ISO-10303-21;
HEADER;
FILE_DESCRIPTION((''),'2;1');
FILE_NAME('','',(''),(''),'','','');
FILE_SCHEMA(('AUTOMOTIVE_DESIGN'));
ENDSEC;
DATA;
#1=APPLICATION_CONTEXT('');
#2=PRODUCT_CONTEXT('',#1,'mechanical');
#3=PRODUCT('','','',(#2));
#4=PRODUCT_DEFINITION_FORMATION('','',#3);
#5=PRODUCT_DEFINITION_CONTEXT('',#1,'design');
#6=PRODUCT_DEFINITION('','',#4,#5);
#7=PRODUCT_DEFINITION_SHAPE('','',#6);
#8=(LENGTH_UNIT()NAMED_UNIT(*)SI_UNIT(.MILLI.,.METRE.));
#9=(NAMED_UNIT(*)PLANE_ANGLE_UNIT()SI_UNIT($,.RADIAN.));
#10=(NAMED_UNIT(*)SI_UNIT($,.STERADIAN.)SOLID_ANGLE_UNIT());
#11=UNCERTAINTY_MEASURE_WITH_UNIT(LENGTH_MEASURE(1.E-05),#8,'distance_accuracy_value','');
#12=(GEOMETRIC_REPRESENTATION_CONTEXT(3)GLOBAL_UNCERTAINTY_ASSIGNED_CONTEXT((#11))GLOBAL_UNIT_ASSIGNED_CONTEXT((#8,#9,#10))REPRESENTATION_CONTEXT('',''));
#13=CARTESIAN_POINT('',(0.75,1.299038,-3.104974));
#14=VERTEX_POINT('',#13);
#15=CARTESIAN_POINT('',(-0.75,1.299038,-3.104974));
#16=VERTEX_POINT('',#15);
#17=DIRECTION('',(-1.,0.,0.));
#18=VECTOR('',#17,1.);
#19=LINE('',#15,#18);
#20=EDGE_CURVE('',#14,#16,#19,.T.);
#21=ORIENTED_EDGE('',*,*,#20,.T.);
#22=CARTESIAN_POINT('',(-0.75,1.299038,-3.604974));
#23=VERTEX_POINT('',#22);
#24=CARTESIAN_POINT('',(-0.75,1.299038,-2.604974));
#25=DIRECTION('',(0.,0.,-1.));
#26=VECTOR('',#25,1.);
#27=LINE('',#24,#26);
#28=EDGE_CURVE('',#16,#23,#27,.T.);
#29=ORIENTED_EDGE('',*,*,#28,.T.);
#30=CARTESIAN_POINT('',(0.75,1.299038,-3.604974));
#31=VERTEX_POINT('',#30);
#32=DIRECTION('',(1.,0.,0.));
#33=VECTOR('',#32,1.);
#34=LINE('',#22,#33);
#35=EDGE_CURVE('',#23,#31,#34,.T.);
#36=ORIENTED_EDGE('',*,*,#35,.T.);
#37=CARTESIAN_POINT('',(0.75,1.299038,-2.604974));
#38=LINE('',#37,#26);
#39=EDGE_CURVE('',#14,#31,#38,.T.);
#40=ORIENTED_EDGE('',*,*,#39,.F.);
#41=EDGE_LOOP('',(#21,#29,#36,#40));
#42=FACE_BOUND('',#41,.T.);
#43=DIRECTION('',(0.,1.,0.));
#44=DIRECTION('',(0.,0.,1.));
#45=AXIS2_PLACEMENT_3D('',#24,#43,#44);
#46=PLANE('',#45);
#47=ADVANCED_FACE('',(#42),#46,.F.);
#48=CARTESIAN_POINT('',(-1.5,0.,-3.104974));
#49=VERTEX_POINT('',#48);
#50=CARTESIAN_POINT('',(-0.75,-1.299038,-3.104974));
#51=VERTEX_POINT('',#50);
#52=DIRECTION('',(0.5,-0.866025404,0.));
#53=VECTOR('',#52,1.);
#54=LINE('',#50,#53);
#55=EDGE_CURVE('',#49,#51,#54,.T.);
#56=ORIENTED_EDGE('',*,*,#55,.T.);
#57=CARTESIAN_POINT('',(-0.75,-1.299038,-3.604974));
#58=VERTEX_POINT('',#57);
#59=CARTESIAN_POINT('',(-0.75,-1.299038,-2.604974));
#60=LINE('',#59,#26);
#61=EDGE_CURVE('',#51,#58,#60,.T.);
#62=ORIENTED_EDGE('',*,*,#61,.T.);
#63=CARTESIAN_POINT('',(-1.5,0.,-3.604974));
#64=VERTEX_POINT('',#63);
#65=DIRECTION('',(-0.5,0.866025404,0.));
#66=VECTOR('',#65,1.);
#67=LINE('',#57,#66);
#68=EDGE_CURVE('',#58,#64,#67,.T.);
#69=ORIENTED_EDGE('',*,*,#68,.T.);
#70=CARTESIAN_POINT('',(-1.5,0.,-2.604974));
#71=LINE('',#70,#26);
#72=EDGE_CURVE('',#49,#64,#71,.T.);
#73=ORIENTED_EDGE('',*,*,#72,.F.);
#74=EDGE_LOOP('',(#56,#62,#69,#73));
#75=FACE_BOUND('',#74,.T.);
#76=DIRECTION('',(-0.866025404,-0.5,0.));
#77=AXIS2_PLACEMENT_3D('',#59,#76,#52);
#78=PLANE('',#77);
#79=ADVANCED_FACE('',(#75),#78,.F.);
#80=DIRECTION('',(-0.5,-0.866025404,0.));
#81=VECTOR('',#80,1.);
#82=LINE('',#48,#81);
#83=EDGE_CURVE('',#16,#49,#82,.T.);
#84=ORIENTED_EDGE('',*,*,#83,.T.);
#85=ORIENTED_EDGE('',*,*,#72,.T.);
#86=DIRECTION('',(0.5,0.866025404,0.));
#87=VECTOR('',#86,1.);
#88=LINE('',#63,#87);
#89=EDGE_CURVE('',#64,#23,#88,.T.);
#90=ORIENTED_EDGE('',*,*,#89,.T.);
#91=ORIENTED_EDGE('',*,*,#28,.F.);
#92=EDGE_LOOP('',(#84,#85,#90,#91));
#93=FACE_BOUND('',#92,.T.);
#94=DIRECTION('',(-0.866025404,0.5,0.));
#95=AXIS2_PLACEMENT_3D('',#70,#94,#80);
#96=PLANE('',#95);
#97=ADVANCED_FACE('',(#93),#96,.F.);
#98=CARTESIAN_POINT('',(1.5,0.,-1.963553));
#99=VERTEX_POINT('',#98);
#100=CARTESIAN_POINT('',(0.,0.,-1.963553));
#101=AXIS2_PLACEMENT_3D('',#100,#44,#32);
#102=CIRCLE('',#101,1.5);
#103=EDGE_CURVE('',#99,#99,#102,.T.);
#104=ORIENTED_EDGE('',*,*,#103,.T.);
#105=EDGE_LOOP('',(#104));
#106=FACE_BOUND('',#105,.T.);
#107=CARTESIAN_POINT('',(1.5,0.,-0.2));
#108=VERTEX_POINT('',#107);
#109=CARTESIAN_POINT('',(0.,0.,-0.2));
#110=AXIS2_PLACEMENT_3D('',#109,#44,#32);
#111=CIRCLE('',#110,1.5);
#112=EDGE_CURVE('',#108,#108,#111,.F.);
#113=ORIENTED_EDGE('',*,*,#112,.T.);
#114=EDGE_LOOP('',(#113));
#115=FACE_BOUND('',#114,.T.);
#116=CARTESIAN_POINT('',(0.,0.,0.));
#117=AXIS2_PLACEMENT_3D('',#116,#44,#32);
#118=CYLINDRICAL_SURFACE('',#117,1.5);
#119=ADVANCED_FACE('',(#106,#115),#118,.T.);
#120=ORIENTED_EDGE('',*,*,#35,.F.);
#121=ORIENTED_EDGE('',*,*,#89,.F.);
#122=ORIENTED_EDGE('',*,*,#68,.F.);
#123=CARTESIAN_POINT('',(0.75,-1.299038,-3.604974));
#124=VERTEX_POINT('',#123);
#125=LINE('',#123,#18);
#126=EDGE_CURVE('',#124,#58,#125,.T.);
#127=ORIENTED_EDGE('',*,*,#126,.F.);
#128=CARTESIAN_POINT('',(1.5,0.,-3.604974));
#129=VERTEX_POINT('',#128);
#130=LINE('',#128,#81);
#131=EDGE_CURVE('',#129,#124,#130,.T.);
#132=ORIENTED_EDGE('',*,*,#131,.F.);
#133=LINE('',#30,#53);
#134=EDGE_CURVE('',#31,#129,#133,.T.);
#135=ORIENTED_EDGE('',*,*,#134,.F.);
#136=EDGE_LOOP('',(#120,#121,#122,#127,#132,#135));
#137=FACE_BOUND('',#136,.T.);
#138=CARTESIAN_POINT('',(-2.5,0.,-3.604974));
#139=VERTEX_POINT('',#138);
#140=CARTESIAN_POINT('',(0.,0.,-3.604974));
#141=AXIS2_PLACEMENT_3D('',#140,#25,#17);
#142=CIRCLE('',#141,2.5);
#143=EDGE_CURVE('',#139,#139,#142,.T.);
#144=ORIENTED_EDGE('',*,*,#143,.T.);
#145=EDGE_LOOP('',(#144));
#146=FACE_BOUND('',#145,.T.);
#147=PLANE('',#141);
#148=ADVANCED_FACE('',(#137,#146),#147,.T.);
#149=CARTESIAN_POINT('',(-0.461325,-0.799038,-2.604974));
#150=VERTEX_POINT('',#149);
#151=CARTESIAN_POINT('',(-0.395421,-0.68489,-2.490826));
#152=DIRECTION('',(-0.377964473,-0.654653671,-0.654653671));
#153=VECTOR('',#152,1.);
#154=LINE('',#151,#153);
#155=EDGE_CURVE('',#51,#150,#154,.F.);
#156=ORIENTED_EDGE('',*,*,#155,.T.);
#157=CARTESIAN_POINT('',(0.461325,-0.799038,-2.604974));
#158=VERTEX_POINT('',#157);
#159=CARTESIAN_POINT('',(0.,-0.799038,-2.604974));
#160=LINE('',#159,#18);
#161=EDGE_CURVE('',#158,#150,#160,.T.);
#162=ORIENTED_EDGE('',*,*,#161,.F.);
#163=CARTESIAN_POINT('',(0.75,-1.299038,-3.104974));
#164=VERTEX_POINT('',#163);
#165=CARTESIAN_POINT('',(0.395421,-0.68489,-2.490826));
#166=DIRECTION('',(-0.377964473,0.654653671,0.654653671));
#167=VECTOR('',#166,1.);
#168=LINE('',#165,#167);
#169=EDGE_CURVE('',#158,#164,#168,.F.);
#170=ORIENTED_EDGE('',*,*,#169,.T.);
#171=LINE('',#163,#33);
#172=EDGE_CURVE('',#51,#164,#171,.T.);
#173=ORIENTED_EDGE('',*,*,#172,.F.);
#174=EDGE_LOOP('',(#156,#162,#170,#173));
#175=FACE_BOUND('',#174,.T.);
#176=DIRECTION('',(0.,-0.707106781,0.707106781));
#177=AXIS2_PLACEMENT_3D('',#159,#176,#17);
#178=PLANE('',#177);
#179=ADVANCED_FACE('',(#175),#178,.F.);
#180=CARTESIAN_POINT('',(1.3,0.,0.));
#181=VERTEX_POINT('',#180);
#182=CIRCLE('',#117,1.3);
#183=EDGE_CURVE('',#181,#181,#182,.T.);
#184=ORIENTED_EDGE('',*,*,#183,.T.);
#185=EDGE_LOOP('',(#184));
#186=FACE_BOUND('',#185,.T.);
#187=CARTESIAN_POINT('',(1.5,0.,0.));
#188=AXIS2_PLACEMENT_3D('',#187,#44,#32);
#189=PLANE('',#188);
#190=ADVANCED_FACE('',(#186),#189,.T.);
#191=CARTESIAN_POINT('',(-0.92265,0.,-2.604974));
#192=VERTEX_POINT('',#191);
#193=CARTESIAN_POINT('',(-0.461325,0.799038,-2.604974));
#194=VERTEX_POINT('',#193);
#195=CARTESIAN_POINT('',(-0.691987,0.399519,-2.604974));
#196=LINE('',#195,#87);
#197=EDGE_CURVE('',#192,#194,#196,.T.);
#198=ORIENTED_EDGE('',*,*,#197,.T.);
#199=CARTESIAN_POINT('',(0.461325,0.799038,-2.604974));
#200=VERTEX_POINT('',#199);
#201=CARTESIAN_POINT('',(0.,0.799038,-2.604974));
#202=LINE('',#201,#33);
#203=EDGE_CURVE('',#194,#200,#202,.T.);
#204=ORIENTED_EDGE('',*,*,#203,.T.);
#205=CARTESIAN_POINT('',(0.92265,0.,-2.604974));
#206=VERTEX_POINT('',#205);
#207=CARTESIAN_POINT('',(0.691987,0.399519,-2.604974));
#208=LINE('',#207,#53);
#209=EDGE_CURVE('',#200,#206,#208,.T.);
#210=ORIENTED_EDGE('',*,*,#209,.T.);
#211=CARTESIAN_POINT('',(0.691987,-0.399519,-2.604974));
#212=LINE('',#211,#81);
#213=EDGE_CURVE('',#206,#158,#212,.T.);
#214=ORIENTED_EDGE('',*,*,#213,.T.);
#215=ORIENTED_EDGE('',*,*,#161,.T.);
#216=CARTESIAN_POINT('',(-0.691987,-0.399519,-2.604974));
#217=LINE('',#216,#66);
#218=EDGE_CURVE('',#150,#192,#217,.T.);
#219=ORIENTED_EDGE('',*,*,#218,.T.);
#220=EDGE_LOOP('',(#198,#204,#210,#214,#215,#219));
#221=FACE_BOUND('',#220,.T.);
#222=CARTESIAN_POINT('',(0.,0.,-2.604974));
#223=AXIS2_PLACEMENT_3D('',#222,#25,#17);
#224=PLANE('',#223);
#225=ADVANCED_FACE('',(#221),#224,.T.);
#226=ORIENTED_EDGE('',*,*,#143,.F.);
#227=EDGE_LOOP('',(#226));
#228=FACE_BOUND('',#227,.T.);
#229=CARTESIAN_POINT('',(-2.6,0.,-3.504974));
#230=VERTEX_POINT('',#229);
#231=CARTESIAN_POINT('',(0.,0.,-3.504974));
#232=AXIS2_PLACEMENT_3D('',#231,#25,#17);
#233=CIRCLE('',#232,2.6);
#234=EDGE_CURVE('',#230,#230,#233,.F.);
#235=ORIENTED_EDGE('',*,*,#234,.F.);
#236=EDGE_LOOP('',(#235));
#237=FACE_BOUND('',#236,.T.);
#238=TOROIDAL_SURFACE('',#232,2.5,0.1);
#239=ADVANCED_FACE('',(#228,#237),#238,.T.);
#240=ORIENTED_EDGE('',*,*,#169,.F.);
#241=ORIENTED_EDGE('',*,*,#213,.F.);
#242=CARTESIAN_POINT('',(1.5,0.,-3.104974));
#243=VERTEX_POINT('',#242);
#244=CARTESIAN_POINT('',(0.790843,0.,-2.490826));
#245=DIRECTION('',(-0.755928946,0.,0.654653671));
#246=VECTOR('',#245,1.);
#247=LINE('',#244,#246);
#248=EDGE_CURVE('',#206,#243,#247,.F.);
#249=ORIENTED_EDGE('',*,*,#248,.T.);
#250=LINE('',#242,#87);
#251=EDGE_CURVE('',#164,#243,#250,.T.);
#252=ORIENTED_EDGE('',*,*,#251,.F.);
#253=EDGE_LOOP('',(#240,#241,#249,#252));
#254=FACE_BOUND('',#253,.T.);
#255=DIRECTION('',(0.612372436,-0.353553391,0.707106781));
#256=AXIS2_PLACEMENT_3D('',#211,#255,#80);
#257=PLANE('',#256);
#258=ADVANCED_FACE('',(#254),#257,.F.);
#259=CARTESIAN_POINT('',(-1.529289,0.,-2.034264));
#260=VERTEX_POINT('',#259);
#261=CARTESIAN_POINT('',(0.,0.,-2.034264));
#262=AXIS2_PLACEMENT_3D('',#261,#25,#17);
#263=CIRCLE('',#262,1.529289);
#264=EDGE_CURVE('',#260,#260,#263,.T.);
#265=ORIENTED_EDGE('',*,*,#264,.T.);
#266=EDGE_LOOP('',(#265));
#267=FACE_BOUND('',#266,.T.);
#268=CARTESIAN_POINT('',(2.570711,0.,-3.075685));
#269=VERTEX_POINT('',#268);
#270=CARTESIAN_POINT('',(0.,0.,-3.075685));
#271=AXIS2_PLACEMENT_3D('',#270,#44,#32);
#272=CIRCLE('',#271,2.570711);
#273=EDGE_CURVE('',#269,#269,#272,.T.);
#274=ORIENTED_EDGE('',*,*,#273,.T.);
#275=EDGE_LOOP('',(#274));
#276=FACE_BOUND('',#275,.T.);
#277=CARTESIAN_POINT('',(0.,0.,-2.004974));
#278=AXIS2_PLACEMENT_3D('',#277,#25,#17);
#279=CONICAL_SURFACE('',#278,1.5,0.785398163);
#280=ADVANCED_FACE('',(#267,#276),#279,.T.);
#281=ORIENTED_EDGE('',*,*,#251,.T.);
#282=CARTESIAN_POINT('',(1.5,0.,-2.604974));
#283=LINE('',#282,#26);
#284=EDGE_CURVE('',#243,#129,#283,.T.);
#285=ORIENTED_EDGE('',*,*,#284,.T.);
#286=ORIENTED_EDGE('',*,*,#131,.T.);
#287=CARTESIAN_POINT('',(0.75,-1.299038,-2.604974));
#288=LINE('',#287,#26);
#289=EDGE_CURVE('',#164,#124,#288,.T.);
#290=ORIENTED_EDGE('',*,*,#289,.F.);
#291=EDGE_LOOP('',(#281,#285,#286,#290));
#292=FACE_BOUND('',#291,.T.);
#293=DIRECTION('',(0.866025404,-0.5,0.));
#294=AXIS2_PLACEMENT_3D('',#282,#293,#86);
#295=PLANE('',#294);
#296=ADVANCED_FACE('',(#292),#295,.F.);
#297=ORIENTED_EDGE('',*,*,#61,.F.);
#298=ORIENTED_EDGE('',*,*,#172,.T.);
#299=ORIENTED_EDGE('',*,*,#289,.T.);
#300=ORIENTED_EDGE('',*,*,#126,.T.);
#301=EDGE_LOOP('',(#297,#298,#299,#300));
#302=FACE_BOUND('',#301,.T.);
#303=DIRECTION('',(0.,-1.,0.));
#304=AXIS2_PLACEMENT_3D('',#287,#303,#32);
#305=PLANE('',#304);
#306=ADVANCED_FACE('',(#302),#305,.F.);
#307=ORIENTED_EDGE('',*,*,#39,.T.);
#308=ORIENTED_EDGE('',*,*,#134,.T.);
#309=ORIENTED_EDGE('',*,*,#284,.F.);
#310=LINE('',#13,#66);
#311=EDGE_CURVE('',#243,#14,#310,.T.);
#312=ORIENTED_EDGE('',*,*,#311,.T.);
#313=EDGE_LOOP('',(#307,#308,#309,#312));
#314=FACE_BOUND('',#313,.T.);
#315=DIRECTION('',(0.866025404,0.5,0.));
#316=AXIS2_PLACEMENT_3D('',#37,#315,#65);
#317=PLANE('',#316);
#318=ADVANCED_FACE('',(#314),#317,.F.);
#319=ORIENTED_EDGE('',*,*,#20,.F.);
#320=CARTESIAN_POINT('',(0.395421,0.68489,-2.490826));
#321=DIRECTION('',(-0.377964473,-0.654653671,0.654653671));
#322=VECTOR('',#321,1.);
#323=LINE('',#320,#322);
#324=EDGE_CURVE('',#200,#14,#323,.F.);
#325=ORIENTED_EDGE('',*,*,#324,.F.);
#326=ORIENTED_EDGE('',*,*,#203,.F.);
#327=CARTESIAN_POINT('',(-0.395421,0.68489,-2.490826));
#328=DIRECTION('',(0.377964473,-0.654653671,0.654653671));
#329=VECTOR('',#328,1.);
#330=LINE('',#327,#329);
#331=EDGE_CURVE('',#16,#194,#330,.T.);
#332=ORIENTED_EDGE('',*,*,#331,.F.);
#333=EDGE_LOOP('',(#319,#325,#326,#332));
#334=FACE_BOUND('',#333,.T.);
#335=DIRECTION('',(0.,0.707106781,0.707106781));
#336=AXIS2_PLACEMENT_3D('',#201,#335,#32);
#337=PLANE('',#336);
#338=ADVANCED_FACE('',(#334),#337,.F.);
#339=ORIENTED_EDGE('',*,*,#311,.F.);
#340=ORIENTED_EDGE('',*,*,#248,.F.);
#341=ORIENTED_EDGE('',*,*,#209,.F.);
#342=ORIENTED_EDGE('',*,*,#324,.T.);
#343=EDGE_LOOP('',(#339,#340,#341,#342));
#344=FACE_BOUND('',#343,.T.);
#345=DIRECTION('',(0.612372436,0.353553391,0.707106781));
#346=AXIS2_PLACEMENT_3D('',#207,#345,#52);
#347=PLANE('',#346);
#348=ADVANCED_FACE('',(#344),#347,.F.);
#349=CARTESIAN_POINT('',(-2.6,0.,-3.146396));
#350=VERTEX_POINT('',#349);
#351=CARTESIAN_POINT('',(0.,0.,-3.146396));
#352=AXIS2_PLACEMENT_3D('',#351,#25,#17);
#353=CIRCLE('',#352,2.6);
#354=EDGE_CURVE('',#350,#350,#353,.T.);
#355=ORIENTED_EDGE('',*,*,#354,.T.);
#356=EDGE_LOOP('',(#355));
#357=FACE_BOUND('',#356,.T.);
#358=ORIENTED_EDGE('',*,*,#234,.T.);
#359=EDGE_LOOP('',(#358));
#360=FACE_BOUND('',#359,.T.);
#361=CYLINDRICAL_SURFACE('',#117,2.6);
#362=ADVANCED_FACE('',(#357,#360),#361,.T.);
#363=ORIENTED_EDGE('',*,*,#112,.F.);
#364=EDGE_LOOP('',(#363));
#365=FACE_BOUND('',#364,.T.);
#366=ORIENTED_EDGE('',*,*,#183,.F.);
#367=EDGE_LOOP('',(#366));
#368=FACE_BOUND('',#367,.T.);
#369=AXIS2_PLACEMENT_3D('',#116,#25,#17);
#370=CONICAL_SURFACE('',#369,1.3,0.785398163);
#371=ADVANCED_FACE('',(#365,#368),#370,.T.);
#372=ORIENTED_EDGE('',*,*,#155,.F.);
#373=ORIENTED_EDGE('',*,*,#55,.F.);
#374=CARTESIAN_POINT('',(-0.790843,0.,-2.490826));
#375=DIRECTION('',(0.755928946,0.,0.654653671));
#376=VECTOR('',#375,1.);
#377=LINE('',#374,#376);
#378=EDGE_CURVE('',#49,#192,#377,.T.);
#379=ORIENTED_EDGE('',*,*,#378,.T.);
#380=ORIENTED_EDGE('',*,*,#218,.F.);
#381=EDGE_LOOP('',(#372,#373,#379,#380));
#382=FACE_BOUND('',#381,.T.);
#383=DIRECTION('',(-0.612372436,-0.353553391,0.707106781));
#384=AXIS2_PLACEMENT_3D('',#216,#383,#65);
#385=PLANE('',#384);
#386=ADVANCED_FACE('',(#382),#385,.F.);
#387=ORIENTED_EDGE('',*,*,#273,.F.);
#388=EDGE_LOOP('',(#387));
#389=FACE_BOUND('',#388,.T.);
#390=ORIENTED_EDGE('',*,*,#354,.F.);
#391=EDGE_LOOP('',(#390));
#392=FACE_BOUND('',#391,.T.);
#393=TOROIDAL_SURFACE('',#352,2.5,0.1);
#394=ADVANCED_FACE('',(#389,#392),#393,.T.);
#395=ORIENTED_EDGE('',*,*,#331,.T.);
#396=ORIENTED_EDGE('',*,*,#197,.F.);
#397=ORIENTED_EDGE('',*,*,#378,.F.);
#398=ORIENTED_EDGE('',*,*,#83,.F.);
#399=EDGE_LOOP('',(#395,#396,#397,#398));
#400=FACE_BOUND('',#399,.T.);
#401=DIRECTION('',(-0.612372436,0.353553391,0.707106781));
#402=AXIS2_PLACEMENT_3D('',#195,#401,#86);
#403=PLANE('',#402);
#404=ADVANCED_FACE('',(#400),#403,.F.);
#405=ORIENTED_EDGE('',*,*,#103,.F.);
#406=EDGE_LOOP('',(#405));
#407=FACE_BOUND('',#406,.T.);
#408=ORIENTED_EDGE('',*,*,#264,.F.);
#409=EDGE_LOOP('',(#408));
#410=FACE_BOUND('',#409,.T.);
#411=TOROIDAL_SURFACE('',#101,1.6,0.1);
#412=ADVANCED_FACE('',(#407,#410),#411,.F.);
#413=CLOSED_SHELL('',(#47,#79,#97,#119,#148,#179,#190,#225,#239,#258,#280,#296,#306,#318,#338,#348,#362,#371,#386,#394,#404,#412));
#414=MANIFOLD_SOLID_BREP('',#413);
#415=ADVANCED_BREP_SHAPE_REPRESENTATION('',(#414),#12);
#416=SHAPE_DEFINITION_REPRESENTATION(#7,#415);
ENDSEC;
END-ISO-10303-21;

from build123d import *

# Parameters (mm, degrees)
CUT_EXTRUDE1_DEPTH = 1
CHAMFER1_SIZE      = 0.5
FILLET1_R          = 0.1
CHAMFER2_SIZE      = 0.2


with BuildPart() as part:
    # Sketch1 → Revolve1 (revolve)
    with BuildSketch(Plane(origin=(0, 0, 0), x_dir=(1, 0, 0), z_dir=(0, 1, 0))):
        Polygon((0, 3.604974233), (2.6, 3.604974233), (2.6, 3.104974233), (1.5, 2.004974233), (1.5, 0), (0, 0), align=None)
    revolve(axis=Axis((0, 0, 0), (0, 0, -1)))

    # Sketch2 → Cut-Extrude1 (cut)
    with BuildSketch(Plane(origin=(0, 0, -3.604974233), x_dir=(-1, 0, 0), z_dir=(0, 0, -1))):
        Polygon((1.5, 0), (0.75, 1.299038106), (-0.75, 1.299038106), (-1.5, 0), (-0.75, -1.299038106), (0.75, -1.299038106), align=None)
    extrude(amount=-CUT_EXTRUDE1_DEPTH, mode=Mode.SUBTRACT)

    # Chamfer1
    chamfer1_edges = [part.edges().sort_by_distance(p)[0] for p in [
        (-1.125, -0.649519053, -2.604974233),
        (0, -1.299038106, -2.604974233),
        (1.125, -0.649519053, -2.604974233),
        (1.125, 0.649519053, -2.604974233),
        (0, 1.299038106, -2.604974233),
        (-1.125, 0.649519053, -2.604974233),
    ]]
    chamfer(chamfer1_edges, length=CHAMFER1_SIZE)

    # Fillet1
    fillet1_edges = [part.edges().sort_by_distance(p)[0] for p in [
        (-1.5, 0, -2.004974233),
        (-2.6, 0, -3.104974233),
        (-2.6, 0, -3.604974233),
    ]]
    fillet(fillet1_edges, radius=FILLET1_R)

    # Chamfer2
    chamfer2_edges = [part.edges().sort_by_distance(p)[0] for p in [
        (-1.5, 0, 0),
    ]]
    chamfer(chamfer2_edges, length=CHAMFER2_SIZE)


solid = part.part
